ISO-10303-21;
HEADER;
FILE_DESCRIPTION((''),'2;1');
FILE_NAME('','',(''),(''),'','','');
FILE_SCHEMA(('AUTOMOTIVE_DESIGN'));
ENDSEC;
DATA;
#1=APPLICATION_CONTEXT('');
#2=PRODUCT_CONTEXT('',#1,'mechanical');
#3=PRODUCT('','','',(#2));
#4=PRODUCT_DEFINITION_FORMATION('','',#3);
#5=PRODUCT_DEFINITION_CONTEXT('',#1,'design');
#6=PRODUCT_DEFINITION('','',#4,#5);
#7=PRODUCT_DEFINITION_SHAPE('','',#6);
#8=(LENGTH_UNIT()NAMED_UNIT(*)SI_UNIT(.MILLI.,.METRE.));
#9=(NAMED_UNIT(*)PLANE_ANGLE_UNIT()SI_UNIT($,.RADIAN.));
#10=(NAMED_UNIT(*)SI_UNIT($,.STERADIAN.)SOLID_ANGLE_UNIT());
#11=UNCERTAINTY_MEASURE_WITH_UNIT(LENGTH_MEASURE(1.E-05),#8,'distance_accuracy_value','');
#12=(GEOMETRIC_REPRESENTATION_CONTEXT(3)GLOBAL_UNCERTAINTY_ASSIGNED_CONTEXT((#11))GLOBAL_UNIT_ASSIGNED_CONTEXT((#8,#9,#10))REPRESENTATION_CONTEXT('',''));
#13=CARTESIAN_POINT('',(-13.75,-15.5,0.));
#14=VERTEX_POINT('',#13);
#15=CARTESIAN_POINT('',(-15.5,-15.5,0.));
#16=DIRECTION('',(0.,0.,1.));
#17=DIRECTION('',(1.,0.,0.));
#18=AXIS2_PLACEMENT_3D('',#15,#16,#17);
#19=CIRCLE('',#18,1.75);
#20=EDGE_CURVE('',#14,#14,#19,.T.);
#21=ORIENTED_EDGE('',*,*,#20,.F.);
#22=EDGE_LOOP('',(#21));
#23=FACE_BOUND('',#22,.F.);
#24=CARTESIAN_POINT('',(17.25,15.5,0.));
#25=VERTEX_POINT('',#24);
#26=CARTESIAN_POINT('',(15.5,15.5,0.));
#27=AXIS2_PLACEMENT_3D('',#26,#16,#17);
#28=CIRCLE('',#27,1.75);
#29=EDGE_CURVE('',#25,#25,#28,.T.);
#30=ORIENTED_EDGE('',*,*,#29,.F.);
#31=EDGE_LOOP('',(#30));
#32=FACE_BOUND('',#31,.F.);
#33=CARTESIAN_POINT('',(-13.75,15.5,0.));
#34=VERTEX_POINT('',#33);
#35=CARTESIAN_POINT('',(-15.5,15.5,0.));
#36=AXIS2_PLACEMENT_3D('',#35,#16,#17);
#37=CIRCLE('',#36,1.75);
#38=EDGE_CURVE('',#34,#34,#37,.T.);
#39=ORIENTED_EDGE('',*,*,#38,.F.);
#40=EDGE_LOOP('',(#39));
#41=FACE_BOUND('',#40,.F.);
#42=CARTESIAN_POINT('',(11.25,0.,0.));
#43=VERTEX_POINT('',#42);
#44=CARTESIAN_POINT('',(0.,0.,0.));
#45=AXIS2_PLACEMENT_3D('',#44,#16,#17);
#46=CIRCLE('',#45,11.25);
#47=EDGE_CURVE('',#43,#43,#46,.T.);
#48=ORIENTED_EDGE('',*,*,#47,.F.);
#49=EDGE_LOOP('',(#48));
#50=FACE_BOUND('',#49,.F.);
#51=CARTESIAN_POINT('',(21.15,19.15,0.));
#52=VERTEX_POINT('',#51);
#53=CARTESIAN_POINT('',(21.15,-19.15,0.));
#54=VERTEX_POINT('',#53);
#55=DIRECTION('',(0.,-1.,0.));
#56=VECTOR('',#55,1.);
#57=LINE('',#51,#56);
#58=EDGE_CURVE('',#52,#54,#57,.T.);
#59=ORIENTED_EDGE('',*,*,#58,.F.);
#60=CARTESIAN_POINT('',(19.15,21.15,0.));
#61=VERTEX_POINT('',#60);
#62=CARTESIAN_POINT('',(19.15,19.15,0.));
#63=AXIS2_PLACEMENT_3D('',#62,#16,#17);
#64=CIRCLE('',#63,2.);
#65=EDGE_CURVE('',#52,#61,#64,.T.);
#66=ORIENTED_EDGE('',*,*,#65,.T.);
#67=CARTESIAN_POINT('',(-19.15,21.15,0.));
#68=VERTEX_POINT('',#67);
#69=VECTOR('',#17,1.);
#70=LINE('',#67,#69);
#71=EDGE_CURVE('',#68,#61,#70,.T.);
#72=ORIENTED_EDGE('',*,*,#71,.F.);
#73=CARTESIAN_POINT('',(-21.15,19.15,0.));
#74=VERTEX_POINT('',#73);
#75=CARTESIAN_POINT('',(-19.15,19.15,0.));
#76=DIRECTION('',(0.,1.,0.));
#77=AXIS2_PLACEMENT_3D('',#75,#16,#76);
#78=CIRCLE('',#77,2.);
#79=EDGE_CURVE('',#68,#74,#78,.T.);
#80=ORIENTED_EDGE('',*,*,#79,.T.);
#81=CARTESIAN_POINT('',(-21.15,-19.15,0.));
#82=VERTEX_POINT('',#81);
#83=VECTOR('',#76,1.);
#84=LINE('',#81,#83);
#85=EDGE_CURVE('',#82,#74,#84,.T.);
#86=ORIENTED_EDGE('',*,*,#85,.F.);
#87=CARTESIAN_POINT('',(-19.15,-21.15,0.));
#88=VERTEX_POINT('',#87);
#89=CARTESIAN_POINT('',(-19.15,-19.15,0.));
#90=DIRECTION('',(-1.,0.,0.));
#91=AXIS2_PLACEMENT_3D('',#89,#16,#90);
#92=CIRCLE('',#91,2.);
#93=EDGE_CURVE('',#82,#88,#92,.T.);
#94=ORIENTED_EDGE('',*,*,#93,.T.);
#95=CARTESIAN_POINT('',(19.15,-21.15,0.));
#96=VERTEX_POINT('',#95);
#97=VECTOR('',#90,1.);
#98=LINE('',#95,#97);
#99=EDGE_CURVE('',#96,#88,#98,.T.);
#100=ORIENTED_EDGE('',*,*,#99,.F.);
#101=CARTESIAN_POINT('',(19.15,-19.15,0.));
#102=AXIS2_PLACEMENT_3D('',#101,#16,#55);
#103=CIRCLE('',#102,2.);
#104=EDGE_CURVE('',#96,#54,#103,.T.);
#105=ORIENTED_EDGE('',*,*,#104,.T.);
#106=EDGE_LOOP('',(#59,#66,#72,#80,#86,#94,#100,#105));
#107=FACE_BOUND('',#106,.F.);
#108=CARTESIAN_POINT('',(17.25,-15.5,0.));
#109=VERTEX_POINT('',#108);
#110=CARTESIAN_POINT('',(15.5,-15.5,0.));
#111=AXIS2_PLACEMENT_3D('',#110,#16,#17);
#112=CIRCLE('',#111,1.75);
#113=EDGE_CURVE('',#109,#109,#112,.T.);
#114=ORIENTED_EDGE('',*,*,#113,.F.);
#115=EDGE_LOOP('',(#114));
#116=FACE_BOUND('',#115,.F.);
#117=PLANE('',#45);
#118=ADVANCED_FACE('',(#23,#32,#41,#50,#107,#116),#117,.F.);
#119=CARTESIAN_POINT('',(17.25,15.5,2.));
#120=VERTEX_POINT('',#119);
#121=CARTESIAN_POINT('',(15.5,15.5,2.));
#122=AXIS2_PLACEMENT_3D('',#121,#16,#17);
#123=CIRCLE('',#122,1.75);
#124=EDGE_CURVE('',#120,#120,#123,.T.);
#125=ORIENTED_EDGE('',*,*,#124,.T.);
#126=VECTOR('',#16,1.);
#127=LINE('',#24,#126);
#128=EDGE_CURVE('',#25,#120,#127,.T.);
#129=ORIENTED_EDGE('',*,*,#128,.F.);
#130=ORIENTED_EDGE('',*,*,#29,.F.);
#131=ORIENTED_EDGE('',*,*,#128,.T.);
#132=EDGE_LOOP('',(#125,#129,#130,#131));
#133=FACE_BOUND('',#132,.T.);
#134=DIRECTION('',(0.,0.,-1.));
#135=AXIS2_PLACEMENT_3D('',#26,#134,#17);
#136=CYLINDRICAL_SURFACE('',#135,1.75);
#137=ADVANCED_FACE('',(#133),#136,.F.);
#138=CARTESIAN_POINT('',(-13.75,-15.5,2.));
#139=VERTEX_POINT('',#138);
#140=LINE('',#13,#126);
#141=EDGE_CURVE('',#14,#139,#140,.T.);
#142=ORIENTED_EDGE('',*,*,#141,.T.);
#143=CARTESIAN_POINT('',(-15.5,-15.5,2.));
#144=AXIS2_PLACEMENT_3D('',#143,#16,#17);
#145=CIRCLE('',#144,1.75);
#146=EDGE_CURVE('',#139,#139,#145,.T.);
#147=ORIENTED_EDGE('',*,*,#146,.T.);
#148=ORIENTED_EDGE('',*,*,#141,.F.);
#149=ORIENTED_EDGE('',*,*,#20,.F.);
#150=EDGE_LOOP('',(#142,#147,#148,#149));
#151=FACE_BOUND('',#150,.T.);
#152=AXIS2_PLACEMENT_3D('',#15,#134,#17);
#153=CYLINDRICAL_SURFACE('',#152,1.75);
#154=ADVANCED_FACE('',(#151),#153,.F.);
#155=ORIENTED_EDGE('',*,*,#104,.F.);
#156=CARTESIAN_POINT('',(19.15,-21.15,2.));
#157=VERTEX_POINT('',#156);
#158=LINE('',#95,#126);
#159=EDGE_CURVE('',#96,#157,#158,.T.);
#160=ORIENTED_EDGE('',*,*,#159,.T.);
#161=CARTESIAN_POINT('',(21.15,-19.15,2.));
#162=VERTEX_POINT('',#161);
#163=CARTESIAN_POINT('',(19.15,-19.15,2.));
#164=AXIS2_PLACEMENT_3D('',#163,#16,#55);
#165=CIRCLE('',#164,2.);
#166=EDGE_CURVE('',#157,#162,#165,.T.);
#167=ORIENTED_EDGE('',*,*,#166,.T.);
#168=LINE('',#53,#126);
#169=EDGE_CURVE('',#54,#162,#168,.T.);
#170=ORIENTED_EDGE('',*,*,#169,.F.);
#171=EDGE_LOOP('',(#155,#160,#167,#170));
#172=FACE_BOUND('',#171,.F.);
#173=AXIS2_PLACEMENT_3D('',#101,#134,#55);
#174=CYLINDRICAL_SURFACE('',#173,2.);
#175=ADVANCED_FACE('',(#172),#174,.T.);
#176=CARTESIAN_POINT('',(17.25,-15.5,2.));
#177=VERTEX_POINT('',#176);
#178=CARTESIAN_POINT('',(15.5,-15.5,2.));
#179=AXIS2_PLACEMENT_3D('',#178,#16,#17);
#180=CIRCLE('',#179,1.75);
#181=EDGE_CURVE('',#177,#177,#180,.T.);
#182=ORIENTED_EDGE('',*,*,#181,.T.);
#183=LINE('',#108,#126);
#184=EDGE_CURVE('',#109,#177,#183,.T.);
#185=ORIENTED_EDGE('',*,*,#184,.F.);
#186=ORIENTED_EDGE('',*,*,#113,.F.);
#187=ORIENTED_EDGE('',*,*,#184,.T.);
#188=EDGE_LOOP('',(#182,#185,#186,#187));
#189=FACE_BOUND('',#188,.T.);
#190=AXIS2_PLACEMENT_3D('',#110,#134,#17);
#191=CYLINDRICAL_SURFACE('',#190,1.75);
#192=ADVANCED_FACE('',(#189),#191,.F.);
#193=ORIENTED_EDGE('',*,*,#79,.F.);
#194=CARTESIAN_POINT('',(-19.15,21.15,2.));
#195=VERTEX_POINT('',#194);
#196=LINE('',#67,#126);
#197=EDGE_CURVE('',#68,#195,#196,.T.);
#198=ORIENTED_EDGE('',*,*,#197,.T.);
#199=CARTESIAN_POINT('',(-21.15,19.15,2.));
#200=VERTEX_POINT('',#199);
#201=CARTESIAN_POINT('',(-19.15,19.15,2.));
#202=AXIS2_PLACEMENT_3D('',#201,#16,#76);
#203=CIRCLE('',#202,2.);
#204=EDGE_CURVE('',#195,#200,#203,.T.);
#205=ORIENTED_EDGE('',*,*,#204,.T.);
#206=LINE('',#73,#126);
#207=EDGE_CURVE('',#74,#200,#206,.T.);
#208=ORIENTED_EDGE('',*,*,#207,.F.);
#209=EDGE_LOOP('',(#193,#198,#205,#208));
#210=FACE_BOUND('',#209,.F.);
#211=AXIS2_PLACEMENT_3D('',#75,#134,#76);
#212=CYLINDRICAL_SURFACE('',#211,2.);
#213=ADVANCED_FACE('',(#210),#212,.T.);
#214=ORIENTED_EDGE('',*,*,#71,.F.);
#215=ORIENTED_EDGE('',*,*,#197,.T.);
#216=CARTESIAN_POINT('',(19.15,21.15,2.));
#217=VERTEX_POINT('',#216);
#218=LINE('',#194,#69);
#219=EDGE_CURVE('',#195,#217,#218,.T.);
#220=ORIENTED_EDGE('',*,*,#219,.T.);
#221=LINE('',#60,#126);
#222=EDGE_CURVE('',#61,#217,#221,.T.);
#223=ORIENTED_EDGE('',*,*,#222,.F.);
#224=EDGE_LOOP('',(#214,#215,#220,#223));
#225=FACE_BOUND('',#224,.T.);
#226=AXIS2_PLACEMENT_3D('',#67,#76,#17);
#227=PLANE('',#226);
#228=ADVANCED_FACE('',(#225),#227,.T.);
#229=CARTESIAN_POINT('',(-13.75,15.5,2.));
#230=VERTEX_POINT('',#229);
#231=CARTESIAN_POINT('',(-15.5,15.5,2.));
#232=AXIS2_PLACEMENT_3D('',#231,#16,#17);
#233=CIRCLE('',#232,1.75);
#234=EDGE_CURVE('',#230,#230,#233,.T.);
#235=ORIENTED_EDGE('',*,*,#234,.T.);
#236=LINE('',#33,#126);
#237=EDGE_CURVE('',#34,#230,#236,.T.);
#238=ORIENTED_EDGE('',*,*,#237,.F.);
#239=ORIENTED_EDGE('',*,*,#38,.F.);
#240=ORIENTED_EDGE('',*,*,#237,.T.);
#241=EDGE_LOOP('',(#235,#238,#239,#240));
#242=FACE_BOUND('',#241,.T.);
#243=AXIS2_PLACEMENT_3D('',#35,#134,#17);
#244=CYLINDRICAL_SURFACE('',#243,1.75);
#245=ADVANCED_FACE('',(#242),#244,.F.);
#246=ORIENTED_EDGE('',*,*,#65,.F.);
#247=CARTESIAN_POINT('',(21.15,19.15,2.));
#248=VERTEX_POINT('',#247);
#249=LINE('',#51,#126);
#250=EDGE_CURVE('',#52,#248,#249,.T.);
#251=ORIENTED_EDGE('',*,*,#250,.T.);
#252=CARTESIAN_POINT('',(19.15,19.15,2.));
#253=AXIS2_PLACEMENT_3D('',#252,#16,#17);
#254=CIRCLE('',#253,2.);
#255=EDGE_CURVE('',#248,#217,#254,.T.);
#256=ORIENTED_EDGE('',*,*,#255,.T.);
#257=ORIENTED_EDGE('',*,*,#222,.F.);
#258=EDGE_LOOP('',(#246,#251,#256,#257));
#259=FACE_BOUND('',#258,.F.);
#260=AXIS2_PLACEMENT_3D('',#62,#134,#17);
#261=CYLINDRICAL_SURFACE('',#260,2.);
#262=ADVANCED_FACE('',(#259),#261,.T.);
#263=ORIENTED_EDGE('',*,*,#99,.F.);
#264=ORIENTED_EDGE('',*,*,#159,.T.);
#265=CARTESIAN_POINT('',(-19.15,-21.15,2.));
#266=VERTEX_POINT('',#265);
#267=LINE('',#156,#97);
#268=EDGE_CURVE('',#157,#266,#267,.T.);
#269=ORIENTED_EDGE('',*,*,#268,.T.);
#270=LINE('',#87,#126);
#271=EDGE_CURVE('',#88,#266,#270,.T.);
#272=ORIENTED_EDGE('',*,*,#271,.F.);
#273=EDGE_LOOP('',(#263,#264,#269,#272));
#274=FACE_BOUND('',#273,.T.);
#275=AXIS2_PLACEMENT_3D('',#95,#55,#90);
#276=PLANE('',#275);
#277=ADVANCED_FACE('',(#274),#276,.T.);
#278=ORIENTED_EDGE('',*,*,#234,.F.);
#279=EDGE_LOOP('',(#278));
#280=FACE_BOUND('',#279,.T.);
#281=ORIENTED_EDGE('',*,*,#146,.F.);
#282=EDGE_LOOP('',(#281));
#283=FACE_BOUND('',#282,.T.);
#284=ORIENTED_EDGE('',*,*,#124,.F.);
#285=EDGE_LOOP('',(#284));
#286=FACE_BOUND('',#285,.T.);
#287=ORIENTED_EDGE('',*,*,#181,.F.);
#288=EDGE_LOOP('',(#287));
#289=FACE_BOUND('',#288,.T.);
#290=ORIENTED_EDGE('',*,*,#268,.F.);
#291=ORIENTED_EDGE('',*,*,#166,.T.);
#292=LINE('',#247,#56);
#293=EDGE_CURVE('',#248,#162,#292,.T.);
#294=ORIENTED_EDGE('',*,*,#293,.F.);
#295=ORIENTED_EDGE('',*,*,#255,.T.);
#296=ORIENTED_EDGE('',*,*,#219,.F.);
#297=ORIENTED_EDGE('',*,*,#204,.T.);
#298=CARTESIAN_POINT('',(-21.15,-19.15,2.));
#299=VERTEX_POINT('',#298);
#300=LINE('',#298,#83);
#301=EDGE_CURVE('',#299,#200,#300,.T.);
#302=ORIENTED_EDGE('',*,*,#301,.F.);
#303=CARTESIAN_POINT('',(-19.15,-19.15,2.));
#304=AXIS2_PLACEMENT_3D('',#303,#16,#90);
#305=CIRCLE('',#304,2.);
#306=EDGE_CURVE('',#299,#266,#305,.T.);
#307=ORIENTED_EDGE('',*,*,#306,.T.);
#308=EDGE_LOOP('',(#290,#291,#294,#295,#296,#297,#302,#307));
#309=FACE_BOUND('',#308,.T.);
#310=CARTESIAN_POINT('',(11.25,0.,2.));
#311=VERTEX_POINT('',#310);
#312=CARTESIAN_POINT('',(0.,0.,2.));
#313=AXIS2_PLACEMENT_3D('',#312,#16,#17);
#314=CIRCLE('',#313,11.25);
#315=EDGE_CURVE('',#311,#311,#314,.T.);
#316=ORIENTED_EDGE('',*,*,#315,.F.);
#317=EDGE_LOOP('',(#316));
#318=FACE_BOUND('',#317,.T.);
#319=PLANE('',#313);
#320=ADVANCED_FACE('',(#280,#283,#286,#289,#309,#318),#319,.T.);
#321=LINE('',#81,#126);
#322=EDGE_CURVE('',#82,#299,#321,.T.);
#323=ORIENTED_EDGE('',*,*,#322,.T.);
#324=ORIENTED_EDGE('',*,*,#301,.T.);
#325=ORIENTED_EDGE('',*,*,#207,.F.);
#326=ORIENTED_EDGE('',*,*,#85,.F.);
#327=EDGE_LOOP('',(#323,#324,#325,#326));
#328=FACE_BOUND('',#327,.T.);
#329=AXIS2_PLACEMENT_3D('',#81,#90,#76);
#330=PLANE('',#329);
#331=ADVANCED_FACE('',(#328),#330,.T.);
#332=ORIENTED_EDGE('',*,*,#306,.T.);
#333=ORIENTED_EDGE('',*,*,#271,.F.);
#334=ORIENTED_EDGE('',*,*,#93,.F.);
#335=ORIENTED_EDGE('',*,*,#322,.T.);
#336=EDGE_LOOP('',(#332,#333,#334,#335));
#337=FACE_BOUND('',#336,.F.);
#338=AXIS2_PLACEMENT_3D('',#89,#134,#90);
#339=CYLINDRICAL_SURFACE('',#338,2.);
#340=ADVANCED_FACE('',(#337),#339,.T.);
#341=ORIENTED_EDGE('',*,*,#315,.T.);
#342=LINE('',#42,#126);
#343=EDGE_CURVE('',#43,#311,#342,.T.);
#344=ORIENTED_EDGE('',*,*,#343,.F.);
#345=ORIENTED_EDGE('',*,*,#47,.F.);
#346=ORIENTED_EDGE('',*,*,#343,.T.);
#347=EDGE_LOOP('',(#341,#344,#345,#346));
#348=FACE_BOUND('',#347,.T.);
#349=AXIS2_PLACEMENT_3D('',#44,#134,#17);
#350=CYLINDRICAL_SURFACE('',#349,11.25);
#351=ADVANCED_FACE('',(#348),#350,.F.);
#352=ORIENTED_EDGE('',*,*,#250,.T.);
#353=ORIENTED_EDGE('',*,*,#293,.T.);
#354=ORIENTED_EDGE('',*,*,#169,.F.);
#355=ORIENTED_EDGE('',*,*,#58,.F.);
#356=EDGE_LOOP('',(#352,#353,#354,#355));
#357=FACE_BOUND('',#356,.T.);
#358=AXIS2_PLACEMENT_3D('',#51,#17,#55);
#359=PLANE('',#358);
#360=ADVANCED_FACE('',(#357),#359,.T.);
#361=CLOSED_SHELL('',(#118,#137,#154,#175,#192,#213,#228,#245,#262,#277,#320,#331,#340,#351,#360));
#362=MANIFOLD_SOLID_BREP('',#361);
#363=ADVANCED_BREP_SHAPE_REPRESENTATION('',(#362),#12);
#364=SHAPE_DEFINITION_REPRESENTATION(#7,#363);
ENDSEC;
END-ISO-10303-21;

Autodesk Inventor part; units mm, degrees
ref_plane "YZ Plane" through (0, 0, 0) normal (1, 0, 0) x (0, 1, 0)
ref_plane "XZ Plane" through (0, 0, 0) normal (0, 1, 0) x (-1, 0, 0)
ref_plane "XY Plane" through (0, 0, 0) normal (0, 0, 1) x (1, 0, 0)
sketch "Sketch1" plane through (0, 0, 0) normal (0, 0, 1) x (1, 0, 0)
  line L0 (19.15, -21.15) -> (-19.15, -21.15)
  line L1 (-21.15, -19.15) -> (-21.15, 19.15)
  line L2 (-19.15, 21.15) -> (19.15, 21.15)
  line L3 (21.15, 19.15) -> (21.15, -19.15)
  line L4 (21.15, -21.15) -> (-21.15, 21.15) construction
  line L5 (-21.15, -21.15) -> (21.15, 21.15) construction
  circle A0 centre (0, 0) radius 11.25
  line L6 (15.5, -15.5) -> (-15.5, -15.5) construction
  line L7 (-15.5, -15.5) -> (-15.5, 15.5) construction
  line L8 (-15.5, 15.5) -> (15.5, 15.5) construction
  line L9 (15.5, 15.5) -> (15.5, -15.5) construction
  line L10 (15.5, -15.5) -> (-15.5, 15.5) construction
  line L11 (-15.5, -15.5) -> (15.5, 15.5) construction
  circle A1 centre (15.5, 15.5) radius 1.75
  circle A2 centre (15.5, -15.5) radius 1.75
  circle A3 centre (-15.5, -15.5) radius 1.75
  circle A4 centre (-15.5, 15.5) radius 1.75
  arc A5 (-19.15, 21.15) -> (-21.15, 19.15) centre (-19.15, 19.15) ccw
  arc A6 (21.15, 19.15) -> (19.15, 21.15) centre (19.15, 19.15) ccw
  arc A7 (19.15, -21.15) -> (21.15, -19.15) centre (19.15, -19.15) ccw
  arc A8 (-21.15, -19.15) -> (-19.15, -21.15) centre (-19.15, -19.15) ccw
  dimension "d0" = 42.3
  dimension "d1" = 42.3
  dimension "d2" = 22.5
  dimension "d3" = 31
  dimension "d4" = 31
  dimension "d5" = 3.5
  dimension "d6" = 2
extrude "Extrusion1" add sketch "Sketch1" along normal blind 2
properties part number "NEMA 17 Damper" material "Rubber, Silicone"
